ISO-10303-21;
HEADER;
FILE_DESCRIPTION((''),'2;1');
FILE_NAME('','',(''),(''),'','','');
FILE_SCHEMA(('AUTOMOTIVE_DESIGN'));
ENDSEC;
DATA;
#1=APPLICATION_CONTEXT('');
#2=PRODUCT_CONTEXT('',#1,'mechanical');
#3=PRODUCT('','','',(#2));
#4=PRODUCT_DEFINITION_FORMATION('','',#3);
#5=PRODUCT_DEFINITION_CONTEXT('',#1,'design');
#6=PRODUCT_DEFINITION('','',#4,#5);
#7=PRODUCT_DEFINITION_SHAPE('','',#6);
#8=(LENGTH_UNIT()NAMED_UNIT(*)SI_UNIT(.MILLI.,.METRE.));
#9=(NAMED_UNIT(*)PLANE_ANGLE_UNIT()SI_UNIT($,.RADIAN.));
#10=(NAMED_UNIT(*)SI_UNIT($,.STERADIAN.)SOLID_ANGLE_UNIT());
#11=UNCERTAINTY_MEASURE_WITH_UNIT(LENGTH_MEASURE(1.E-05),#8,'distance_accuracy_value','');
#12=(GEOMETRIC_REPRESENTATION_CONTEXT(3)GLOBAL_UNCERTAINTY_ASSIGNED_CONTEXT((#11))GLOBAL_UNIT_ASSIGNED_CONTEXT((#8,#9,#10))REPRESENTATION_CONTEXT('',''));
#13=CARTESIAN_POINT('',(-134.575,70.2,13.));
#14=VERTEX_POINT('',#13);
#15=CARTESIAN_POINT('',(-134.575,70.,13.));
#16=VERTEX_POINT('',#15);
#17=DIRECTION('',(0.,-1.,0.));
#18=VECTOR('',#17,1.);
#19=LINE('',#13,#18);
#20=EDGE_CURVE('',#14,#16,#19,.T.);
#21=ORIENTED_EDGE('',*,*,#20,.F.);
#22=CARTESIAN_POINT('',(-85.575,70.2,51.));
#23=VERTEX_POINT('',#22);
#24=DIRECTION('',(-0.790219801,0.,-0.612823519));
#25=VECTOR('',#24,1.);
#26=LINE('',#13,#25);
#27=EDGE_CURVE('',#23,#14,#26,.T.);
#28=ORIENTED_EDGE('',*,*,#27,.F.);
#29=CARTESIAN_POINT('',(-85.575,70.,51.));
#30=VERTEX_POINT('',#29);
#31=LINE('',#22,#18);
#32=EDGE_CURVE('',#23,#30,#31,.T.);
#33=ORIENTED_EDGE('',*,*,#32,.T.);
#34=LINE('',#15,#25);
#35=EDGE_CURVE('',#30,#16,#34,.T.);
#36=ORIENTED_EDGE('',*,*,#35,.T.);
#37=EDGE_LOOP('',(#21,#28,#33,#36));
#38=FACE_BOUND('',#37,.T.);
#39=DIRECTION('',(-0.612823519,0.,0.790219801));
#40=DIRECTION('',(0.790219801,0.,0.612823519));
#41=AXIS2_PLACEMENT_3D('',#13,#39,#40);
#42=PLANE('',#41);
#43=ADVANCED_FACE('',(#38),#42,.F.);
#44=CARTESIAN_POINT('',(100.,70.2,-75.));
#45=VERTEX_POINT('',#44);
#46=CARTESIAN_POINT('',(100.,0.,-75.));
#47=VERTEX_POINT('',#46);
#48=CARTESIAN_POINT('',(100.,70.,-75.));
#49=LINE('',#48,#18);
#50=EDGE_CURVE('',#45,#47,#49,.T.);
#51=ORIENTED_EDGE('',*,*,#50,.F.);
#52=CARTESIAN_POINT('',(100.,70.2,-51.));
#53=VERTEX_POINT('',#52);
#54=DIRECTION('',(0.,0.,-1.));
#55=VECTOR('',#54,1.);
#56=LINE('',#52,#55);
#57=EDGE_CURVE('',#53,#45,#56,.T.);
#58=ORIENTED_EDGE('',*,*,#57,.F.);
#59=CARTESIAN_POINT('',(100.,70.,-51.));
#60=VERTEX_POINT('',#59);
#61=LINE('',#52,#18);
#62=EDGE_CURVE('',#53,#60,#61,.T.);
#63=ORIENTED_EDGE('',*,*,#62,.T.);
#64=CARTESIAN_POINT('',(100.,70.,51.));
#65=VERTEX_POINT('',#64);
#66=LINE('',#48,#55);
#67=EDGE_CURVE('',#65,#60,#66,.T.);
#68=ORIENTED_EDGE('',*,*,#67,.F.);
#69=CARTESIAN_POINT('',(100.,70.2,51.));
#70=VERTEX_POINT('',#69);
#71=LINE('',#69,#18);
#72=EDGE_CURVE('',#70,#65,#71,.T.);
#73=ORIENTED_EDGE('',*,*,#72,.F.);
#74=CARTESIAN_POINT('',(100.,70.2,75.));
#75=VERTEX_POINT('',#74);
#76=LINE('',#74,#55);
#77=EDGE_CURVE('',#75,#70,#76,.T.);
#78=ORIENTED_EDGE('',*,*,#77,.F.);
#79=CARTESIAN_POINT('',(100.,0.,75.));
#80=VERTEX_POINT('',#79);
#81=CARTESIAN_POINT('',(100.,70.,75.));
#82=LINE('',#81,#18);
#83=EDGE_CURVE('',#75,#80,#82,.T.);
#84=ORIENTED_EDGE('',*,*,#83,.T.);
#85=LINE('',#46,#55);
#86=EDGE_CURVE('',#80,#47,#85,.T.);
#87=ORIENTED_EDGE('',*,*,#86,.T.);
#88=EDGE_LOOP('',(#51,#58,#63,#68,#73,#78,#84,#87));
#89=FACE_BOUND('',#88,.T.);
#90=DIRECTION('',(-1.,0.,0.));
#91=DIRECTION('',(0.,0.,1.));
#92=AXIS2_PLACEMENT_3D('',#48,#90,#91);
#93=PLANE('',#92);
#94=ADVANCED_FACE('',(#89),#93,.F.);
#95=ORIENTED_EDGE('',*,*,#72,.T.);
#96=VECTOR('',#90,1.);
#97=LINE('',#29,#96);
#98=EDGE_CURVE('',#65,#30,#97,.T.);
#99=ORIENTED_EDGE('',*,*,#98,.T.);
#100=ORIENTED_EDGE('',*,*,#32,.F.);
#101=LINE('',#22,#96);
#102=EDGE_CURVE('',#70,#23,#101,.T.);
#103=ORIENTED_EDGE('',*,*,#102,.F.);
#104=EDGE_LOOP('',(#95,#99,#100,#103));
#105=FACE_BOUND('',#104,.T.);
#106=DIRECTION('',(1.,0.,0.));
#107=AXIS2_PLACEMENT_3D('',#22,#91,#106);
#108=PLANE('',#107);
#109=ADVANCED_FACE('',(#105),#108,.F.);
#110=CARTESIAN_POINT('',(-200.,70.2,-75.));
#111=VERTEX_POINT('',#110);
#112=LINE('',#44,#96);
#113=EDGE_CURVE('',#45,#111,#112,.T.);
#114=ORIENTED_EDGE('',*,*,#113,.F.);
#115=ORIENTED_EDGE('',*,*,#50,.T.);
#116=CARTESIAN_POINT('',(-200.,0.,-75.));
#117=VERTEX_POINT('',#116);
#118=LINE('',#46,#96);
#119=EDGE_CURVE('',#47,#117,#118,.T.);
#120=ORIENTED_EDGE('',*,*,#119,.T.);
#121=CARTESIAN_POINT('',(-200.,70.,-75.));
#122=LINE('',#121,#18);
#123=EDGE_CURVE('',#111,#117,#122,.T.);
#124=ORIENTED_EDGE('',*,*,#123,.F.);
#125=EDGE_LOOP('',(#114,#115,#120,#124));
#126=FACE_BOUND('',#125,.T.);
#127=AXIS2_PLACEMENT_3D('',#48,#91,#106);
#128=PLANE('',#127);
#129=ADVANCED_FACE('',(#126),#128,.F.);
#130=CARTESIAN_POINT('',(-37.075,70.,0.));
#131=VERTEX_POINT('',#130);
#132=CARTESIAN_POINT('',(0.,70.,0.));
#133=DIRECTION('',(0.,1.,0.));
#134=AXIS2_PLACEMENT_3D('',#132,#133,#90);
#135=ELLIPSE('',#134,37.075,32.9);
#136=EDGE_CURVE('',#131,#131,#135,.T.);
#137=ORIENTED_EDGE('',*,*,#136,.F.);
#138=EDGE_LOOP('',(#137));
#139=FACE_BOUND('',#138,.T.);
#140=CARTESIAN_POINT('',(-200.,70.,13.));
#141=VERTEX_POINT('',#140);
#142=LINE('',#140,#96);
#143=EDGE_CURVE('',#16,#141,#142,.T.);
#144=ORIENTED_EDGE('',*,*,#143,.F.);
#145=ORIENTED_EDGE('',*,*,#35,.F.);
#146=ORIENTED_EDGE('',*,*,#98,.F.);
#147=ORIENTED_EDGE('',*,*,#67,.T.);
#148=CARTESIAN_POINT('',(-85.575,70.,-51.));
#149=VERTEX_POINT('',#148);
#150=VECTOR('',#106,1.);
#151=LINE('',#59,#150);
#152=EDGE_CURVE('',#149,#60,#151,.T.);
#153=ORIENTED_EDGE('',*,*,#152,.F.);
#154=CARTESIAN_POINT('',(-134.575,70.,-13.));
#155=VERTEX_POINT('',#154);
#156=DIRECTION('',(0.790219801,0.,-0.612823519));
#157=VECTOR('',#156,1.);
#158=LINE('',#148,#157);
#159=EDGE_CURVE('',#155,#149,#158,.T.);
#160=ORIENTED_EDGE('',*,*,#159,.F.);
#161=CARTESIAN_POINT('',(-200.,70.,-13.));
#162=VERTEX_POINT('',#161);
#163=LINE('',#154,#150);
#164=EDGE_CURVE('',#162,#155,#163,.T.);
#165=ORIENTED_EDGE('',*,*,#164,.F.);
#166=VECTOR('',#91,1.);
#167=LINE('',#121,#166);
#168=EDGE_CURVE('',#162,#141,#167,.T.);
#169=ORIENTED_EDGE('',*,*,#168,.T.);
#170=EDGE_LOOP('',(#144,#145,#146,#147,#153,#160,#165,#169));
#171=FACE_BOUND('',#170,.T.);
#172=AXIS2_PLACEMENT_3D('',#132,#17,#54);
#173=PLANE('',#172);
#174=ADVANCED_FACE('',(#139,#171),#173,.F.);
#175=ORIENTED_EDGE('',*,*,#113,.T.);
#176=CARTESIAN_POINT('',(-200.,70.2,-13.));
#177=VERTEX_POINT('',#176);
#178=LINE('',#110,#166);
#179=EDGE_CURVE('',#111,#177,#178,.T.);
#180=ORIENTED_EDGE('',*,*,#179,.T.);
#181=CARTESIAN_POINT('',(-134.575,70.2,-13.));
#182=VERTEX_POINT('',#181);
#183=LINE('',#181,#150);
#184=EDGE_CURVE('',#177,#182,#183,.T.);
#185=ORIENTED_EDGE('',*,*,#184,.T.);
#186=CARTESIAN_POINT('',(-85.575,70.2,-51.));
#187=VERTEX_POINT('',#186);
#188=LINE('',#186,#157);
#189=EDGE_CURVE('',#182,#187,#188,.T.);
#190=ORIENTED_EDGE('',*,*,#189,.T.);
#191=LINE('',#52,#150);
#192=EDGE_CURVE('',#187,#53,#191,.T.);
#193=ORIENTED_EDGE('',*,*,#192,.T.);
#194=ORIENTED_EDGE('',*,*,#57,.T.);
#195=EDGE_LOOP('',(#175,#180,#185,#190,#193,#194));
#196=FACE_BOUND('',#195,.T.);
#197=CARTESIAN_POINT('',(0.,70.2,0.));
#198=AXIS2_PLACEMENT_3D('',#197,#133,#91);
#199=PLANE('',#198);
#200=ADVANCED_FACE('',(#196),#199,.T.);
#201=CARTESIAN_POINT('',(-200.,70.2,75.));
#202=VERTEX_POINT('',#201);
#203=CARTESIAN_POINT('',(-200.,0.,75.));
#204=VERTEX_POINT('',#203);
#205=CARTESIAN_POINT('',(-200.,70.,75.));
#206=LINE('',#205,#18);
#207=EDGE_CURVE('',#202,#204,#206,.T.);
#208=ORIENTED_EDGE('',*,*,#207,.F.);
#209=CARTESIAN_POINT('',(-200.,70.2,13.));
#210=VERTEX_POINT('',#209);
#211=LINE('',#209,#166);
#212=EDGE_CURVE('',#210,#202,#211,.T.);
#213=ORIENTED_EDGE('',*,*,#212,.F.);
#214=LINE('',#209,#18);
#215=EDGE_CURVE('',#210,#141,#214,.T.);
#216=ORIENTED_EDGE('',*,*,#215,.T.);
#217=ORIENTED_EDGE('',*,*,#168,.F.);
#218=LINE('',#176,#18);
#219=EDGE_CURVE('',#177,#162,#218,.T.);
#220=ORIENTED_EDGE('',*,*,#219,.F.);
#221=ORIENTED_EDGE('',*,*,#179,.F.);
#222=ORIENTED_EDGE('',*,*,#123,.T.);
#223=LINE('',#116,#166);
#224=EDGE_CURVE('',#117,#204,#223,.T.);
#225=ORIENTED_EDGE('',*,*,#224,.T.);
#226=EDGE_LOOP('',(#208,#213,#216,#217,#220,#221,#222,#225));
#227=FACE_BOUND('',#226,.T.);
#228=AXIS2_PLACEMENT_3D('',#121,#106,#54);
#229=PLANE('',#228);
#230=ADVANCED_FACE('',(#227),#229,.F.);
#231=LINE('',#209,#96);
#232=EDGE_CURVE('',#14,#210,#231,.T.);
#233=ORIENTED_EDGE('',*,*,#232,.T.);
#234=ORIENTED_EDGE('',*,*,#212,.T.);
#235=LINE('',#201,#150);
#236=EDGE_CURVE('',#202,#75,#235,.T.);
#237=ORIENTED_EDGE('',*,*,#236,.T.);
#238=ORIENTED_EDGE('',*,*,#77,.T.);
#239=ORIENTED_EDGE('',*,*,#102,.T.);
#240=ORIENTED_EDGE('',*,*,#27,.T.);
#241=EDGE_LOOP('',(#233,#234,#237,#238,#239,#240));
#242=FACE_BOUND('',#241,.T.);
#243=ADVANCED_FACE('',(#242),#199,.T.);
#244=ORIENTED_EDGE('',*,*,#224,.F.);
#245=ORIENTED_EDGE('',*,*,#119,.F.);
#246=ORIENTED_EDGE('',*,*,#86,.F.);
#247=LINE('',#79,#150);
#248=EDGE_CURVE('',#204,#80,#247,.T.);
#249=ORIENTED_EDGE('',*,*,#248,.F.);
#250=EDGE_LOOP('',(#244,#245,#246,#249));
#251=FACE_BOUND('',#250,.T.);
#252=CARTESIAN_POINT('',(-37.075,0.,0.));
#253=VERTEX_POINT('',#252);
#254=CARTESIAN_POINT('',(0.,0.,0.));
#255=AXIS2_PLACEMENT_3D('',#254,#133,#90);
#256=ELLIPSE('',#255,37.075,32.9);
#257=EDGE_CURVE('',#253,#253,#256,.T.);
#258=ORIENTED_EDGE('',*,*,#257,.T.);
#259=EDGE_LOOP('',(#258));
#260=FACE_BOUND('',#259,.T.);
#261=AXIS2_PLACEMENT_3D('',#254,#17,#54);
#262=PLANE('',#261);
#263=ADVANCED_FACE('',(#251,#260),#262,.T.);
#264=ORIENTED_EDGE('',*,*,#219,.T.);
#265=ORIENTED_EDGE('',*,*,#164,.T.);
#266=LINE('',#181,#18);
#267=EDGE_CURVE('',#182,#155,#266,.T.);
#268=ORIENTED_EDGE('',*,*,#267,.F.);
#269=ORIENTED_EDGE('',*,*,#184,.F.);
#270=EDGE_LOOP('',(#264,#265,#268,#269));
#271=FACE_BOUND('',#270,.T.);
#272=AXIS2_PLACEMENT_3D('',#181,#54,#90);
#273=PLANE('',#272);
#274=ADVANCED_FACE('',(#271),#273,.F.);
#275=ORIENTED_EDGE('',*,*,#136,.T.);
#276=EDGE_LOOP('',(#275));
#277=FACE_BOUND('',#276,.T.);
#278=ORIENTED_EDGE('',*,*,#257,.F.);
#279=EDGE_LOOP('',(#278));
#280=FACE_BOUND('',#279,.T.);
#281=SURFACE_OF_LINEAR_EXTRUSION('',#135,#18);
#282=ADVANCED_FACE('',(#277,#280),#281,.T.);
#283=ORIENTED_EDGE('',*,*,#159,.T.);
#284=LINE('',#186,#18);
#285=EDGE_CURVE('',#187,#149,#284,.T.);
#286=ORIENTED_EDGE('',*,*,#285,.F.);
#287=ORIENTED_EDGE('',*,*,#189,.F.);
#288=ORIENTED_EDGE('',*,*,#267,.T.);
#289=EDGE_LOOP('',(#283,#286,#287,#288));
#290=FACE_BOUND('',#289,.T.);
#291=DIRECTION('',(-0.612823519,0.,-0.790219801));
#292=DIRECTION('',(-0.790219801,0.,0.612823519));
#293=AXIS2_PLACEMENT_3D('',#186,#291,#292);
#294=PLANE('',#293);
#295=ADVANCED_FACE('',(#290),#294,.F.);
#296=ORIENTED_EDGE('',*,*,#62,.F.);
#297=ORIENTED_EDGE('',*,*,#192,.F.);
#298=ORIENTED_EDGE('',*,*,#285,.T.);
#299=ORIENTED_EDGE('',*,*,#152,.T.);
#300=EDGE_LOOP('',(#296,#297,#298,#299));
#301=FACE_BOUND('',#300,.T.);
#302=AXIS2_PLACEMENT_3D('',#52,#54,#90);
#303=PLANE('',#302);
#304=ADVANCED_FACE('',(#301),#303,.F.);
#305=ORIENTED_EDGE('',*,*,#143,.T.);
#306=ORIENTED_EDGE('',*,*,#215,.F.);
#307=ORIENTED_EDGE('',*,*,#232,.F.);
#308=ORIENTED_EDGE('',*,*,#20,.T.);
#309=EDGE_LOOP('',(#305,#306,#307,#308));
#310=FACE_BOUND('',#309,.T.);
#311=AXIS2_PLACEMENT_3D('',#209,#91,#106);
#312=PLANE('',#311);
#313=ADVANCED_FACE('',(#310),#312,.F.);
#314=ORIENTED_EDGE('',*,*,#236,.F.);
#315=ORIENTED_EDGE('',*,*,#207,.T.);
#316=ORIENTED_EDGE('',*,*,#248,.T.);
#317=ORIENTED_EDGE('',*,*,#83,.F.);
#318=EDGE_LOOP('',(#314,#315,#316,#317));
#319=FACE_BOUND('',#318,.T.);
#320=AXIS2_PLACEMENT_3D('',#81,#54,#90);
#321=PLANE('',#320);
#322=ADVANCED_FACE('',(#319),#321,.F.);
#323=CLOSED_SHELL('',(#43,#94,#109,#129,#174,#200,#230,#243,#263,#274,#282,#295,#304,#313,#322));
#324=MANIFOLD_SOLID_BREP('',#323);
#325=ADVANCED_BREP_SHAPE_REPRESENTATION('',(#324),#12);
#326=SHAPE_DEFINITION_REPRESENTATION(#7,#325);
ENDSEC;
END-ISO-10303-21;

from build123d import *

# Parameters (mm, degrees)
SKETCH1_W           = 300
SKETCH1_H           = 150
SKETCH1_RX          = 37.075
SKETCH1_RY          = 32.9
BOSS_EXTRUDE1_DEPTH = 70
BOSS_EXTRUDE2_DEPTH = 0.2


with BuildPart() as part:
    # Sketch1 → Boss-Extrude1 (new body)
    with BuildSketch(Plane(origin=(0, 0, 0), x_dir=(1, 0, 0), z_dir=(0, 1, 0))):
        with Locations((-50, 0)):
            Rectangle(SKETCH1_W, SKETCH1_H)
        with Locations(Location((0, 0), (0, 0, 180))):
            Ellipse(SKETCH1_RX, SKETCH1_RY, mode=Mode.SUBTRACT)
    extrude(amount=BOSS_EXTRUDE1_DEPTH)

    # Sketch2 → Boss-Extrude2 (add)
    with BuildSketch(Plane(origin=(0, 70, 0), x_dir=(1, 0, 0), z_dir=(0, 1, 0))):
        Polygon((100, 51), (-85.575, 51), (-134.575, 13), (-200, 13), (-200, 75), (100, 75), align=None)
        Polygon((-200, -13), (-134.575, -13), (-85.575, -51), (100, -51), (100, -75), (-200, -75), align=None)
    extrude(amount=BOSS_EXTRUDE2_DEPTH)


solid = part.part
